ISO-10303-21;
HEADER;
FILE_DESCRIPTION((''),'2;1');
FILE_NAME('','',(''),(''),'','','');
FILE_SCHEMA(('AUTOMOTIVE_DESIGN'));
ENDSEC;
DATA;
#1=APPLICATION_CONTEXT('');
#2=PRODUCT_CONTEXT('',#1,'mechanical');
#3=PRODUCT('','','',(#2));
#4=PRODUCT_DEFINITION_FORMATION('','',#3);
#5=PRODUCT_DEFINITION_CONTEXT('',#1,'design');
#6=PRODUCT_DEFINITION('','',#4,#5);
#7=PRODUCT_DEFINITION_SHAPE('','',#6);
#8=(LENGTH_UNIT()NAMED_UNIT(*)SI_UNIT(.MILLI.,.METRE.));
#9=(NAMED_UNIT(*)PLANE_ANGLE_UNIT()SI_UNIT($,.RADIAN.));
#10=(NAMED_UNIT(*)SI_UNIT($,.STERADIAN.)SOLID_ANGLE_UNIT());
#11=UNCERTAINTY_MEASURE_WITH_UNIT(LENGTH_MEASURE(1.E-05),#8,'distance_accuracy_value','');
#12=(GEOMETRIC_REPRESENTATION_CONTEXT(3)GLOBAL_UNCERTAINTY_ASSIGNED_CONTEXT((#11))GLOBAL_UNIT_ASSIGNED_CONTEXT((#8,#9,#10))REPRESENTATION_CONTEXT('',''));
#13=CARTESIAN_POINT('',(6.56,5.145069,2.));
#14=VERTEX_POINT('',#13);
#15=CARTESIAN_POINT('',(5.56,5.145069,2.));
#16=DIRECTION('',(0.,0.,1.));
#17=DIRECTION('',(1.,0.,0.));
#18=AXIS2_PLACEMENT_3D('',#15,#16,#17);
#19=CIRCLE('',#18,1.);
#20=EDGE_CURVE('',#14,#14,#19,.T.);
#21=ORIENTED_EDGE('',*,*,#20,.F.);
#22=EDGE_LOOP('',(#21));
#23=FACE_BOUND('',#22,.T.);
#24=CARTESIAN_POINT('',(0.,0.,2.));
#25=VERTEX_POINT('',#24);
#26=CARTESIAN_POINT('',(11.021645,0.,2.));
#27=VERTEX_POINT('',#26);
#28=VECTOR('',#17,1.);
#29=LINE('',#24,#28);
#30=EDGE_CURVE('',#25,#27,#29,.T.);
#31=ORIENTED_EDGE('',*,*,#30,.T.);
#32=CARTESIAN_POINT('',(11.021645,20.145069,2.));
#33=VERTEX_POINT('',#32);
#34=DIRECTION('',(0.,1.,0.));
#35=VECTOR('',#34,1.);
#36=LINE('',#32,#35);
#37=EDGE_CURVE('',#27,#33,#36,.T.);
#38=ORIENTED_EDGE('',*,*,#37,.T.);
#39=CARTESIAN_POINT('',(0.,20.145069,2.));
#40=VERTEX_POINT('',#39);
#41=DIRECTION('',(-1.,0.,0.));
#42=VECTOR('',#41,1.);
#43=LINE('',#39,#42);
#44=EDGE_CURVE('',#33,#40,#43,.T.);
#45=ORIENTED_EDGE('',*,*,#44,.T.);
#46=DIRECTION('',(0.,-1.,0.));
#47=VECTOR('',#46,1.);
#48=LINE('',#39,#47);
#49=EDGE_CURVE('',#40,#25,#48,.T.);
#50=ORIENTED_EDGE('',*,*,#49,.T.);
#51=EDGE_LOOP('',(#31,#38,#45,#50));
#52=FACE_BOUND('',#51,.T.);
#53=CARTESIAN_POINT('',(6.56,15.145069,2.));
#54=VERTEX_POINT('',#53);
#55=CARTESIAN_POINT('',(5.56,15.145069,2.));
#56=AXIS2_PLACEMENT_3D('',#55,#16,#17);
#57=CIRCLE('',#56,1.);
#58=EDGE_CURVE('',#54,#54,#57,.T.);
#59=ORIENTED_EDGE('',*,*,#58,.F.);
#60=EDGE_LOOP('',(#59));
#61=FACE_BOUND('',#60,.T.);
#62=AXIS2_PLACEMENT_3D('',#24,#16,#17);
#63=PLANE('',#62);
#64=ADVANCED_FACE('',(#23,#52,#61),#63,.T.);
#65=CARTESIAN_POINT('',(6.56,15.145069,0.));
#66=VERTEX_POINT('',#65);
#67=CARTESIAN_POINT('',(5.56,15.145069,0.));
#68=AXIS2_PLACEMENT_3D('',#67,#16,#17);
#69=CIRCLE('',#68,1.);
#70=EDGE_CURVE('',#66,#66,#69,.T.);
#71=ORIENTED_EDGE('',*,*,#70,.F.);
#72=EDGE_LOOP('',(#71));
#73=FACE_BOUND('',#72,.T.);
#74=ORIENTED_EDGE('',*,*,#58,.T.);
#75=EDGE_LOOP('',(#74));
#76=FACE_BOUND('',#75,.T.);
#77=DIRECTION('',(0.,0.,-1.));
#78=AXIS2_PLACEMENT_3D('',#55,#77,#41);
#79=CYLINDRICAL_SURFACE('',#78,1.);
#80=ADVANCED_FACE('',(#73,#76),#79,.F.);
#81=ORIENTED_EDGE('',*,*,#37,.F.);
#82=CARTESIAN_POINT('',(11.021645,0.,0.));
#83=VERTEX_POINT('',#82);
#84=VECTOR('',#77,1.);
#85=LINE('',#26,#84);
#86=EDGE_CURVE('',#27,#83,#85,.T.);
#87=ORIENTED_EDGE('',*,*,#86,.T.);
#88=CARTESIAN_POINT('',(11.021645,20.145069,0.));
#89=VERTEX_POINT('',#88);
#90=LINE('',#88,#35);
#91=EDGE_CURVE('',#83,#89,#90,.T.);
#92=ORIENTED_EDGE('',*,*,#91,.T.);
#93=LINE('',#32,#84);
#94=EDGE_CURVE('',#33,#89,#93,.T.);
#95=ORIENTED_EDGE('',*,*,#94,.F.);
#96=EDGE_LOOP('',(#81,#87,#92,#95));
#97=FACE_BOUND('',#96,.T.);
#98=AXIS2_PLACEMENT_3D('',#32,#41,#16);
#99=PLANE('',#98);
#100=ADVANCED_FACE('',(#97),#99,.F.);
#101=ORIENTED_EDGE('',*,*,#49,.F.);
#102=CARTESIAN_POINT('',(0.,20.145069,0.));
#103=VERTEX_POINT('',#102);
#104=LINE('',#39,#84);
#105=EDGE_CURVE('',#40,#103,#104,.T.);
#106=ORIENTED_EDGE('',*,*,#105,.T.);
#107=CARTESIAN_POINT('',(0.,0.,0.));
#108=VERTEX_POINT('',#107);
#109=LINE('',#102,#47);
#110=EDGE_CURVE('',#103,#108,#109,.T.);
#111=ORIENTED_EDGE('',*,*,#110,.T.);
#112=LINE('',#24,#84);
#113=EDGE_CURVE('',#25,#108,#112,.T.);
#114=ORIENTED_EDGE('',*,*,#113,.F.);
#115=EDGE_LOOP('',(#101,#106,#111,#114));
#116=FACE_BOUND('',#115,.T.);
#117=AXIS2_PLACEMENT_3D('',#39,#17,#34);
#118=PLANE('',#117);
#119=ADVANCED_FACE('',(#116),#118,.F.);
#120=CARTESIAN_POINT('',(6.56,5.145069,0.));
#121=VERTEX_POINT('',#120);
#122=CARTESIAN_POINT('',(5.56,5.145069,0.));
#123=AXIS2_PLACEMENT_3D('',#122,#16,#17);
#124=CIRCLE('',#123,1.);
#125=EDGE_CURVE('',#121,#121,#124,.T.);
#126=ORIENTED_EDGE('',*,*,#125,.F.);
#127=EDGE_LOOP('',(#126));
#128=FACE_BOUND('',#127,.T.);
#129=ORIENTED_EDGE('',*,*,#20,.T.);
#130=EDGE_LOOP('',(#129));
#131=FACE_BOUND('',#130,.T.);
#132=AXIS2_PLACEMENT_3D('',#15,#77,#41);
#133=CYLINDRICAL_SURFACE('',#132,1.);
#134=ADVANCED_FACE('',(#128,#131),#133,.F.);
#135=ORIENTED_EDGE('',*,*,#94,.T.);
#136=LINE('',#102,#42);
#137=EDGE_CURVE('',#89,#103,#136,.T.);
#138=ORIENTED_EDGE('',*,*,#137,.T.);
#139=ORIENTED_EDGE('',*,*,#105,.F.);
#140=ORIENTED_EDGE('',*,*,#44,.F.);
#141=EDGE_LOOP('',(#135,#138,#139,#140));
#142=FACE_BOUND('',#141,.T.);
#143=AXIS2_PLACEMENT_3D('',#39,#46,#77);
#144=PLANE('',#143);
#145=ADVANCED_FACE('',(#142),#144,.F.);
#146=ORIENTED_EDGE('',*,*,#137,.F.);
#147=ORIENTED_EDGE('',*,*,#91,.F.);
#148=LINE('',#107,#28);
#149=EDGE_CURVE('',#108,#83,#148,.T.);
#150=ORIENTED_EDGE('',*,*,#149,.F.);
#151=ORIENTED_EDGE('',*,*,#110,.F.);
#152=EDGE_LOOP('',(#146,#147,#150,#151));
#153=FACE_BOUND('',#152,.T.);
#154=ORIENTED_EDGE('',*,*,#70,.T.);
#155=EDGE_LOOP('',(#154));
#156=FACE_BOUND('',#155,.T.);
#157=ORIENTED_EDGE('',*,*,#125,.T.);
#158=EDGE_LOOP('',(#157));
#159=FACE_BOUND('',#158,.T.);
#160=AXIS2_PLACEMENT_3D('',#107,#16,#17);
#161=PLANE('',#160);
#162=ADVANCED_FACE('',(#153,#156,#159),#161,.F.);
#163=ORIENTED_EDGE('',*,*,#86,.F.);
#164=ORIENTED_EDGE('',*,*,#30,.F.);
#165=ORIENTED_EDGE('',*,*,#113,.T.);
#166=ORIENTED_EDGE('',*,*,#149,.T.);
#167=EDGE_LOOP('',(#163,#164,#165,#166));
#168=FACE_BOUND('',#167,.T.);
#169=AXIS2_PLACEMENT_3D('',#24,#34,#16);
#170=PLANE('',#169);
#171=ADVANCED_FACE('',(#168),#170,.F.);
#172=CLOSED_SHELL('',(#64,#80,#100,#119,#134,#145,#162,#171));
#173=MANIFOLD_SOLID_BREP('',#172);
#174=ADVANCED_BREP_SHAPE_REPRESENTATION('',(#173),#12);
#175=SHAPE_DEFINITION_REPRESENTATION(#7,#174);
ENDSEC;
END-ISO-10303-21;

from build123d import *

# Parameters (mm, degrees)
SKETCH1_W           = 11.021644678
SKETCH1_H           = 20.145068856
SKETCH1_R           = 1
BOSS_EXTRUDE1_DEPTH = 2


with BuildPart() as part:
    # Sketch1 → Boss-Extrude1 (new body)
    with BuildSketch(Plane.XY):
        with Locations((5.510822339, 10.072534428)):
            Rectangle(SKETCH1_W, SKETCH1_H)
        with Locations((5.56, 15.145068856)):
            Circle(SKETCH1_R, mode=Mode.SUBTRACT)
        with Locations((5.56, 5.145068856)):
            Circle(SKETCH1_R, mode=Mode.SUBTRACT)
    extrude(amount=BOSS_EXTRUDE1_DEPTH)


solid = part.part
